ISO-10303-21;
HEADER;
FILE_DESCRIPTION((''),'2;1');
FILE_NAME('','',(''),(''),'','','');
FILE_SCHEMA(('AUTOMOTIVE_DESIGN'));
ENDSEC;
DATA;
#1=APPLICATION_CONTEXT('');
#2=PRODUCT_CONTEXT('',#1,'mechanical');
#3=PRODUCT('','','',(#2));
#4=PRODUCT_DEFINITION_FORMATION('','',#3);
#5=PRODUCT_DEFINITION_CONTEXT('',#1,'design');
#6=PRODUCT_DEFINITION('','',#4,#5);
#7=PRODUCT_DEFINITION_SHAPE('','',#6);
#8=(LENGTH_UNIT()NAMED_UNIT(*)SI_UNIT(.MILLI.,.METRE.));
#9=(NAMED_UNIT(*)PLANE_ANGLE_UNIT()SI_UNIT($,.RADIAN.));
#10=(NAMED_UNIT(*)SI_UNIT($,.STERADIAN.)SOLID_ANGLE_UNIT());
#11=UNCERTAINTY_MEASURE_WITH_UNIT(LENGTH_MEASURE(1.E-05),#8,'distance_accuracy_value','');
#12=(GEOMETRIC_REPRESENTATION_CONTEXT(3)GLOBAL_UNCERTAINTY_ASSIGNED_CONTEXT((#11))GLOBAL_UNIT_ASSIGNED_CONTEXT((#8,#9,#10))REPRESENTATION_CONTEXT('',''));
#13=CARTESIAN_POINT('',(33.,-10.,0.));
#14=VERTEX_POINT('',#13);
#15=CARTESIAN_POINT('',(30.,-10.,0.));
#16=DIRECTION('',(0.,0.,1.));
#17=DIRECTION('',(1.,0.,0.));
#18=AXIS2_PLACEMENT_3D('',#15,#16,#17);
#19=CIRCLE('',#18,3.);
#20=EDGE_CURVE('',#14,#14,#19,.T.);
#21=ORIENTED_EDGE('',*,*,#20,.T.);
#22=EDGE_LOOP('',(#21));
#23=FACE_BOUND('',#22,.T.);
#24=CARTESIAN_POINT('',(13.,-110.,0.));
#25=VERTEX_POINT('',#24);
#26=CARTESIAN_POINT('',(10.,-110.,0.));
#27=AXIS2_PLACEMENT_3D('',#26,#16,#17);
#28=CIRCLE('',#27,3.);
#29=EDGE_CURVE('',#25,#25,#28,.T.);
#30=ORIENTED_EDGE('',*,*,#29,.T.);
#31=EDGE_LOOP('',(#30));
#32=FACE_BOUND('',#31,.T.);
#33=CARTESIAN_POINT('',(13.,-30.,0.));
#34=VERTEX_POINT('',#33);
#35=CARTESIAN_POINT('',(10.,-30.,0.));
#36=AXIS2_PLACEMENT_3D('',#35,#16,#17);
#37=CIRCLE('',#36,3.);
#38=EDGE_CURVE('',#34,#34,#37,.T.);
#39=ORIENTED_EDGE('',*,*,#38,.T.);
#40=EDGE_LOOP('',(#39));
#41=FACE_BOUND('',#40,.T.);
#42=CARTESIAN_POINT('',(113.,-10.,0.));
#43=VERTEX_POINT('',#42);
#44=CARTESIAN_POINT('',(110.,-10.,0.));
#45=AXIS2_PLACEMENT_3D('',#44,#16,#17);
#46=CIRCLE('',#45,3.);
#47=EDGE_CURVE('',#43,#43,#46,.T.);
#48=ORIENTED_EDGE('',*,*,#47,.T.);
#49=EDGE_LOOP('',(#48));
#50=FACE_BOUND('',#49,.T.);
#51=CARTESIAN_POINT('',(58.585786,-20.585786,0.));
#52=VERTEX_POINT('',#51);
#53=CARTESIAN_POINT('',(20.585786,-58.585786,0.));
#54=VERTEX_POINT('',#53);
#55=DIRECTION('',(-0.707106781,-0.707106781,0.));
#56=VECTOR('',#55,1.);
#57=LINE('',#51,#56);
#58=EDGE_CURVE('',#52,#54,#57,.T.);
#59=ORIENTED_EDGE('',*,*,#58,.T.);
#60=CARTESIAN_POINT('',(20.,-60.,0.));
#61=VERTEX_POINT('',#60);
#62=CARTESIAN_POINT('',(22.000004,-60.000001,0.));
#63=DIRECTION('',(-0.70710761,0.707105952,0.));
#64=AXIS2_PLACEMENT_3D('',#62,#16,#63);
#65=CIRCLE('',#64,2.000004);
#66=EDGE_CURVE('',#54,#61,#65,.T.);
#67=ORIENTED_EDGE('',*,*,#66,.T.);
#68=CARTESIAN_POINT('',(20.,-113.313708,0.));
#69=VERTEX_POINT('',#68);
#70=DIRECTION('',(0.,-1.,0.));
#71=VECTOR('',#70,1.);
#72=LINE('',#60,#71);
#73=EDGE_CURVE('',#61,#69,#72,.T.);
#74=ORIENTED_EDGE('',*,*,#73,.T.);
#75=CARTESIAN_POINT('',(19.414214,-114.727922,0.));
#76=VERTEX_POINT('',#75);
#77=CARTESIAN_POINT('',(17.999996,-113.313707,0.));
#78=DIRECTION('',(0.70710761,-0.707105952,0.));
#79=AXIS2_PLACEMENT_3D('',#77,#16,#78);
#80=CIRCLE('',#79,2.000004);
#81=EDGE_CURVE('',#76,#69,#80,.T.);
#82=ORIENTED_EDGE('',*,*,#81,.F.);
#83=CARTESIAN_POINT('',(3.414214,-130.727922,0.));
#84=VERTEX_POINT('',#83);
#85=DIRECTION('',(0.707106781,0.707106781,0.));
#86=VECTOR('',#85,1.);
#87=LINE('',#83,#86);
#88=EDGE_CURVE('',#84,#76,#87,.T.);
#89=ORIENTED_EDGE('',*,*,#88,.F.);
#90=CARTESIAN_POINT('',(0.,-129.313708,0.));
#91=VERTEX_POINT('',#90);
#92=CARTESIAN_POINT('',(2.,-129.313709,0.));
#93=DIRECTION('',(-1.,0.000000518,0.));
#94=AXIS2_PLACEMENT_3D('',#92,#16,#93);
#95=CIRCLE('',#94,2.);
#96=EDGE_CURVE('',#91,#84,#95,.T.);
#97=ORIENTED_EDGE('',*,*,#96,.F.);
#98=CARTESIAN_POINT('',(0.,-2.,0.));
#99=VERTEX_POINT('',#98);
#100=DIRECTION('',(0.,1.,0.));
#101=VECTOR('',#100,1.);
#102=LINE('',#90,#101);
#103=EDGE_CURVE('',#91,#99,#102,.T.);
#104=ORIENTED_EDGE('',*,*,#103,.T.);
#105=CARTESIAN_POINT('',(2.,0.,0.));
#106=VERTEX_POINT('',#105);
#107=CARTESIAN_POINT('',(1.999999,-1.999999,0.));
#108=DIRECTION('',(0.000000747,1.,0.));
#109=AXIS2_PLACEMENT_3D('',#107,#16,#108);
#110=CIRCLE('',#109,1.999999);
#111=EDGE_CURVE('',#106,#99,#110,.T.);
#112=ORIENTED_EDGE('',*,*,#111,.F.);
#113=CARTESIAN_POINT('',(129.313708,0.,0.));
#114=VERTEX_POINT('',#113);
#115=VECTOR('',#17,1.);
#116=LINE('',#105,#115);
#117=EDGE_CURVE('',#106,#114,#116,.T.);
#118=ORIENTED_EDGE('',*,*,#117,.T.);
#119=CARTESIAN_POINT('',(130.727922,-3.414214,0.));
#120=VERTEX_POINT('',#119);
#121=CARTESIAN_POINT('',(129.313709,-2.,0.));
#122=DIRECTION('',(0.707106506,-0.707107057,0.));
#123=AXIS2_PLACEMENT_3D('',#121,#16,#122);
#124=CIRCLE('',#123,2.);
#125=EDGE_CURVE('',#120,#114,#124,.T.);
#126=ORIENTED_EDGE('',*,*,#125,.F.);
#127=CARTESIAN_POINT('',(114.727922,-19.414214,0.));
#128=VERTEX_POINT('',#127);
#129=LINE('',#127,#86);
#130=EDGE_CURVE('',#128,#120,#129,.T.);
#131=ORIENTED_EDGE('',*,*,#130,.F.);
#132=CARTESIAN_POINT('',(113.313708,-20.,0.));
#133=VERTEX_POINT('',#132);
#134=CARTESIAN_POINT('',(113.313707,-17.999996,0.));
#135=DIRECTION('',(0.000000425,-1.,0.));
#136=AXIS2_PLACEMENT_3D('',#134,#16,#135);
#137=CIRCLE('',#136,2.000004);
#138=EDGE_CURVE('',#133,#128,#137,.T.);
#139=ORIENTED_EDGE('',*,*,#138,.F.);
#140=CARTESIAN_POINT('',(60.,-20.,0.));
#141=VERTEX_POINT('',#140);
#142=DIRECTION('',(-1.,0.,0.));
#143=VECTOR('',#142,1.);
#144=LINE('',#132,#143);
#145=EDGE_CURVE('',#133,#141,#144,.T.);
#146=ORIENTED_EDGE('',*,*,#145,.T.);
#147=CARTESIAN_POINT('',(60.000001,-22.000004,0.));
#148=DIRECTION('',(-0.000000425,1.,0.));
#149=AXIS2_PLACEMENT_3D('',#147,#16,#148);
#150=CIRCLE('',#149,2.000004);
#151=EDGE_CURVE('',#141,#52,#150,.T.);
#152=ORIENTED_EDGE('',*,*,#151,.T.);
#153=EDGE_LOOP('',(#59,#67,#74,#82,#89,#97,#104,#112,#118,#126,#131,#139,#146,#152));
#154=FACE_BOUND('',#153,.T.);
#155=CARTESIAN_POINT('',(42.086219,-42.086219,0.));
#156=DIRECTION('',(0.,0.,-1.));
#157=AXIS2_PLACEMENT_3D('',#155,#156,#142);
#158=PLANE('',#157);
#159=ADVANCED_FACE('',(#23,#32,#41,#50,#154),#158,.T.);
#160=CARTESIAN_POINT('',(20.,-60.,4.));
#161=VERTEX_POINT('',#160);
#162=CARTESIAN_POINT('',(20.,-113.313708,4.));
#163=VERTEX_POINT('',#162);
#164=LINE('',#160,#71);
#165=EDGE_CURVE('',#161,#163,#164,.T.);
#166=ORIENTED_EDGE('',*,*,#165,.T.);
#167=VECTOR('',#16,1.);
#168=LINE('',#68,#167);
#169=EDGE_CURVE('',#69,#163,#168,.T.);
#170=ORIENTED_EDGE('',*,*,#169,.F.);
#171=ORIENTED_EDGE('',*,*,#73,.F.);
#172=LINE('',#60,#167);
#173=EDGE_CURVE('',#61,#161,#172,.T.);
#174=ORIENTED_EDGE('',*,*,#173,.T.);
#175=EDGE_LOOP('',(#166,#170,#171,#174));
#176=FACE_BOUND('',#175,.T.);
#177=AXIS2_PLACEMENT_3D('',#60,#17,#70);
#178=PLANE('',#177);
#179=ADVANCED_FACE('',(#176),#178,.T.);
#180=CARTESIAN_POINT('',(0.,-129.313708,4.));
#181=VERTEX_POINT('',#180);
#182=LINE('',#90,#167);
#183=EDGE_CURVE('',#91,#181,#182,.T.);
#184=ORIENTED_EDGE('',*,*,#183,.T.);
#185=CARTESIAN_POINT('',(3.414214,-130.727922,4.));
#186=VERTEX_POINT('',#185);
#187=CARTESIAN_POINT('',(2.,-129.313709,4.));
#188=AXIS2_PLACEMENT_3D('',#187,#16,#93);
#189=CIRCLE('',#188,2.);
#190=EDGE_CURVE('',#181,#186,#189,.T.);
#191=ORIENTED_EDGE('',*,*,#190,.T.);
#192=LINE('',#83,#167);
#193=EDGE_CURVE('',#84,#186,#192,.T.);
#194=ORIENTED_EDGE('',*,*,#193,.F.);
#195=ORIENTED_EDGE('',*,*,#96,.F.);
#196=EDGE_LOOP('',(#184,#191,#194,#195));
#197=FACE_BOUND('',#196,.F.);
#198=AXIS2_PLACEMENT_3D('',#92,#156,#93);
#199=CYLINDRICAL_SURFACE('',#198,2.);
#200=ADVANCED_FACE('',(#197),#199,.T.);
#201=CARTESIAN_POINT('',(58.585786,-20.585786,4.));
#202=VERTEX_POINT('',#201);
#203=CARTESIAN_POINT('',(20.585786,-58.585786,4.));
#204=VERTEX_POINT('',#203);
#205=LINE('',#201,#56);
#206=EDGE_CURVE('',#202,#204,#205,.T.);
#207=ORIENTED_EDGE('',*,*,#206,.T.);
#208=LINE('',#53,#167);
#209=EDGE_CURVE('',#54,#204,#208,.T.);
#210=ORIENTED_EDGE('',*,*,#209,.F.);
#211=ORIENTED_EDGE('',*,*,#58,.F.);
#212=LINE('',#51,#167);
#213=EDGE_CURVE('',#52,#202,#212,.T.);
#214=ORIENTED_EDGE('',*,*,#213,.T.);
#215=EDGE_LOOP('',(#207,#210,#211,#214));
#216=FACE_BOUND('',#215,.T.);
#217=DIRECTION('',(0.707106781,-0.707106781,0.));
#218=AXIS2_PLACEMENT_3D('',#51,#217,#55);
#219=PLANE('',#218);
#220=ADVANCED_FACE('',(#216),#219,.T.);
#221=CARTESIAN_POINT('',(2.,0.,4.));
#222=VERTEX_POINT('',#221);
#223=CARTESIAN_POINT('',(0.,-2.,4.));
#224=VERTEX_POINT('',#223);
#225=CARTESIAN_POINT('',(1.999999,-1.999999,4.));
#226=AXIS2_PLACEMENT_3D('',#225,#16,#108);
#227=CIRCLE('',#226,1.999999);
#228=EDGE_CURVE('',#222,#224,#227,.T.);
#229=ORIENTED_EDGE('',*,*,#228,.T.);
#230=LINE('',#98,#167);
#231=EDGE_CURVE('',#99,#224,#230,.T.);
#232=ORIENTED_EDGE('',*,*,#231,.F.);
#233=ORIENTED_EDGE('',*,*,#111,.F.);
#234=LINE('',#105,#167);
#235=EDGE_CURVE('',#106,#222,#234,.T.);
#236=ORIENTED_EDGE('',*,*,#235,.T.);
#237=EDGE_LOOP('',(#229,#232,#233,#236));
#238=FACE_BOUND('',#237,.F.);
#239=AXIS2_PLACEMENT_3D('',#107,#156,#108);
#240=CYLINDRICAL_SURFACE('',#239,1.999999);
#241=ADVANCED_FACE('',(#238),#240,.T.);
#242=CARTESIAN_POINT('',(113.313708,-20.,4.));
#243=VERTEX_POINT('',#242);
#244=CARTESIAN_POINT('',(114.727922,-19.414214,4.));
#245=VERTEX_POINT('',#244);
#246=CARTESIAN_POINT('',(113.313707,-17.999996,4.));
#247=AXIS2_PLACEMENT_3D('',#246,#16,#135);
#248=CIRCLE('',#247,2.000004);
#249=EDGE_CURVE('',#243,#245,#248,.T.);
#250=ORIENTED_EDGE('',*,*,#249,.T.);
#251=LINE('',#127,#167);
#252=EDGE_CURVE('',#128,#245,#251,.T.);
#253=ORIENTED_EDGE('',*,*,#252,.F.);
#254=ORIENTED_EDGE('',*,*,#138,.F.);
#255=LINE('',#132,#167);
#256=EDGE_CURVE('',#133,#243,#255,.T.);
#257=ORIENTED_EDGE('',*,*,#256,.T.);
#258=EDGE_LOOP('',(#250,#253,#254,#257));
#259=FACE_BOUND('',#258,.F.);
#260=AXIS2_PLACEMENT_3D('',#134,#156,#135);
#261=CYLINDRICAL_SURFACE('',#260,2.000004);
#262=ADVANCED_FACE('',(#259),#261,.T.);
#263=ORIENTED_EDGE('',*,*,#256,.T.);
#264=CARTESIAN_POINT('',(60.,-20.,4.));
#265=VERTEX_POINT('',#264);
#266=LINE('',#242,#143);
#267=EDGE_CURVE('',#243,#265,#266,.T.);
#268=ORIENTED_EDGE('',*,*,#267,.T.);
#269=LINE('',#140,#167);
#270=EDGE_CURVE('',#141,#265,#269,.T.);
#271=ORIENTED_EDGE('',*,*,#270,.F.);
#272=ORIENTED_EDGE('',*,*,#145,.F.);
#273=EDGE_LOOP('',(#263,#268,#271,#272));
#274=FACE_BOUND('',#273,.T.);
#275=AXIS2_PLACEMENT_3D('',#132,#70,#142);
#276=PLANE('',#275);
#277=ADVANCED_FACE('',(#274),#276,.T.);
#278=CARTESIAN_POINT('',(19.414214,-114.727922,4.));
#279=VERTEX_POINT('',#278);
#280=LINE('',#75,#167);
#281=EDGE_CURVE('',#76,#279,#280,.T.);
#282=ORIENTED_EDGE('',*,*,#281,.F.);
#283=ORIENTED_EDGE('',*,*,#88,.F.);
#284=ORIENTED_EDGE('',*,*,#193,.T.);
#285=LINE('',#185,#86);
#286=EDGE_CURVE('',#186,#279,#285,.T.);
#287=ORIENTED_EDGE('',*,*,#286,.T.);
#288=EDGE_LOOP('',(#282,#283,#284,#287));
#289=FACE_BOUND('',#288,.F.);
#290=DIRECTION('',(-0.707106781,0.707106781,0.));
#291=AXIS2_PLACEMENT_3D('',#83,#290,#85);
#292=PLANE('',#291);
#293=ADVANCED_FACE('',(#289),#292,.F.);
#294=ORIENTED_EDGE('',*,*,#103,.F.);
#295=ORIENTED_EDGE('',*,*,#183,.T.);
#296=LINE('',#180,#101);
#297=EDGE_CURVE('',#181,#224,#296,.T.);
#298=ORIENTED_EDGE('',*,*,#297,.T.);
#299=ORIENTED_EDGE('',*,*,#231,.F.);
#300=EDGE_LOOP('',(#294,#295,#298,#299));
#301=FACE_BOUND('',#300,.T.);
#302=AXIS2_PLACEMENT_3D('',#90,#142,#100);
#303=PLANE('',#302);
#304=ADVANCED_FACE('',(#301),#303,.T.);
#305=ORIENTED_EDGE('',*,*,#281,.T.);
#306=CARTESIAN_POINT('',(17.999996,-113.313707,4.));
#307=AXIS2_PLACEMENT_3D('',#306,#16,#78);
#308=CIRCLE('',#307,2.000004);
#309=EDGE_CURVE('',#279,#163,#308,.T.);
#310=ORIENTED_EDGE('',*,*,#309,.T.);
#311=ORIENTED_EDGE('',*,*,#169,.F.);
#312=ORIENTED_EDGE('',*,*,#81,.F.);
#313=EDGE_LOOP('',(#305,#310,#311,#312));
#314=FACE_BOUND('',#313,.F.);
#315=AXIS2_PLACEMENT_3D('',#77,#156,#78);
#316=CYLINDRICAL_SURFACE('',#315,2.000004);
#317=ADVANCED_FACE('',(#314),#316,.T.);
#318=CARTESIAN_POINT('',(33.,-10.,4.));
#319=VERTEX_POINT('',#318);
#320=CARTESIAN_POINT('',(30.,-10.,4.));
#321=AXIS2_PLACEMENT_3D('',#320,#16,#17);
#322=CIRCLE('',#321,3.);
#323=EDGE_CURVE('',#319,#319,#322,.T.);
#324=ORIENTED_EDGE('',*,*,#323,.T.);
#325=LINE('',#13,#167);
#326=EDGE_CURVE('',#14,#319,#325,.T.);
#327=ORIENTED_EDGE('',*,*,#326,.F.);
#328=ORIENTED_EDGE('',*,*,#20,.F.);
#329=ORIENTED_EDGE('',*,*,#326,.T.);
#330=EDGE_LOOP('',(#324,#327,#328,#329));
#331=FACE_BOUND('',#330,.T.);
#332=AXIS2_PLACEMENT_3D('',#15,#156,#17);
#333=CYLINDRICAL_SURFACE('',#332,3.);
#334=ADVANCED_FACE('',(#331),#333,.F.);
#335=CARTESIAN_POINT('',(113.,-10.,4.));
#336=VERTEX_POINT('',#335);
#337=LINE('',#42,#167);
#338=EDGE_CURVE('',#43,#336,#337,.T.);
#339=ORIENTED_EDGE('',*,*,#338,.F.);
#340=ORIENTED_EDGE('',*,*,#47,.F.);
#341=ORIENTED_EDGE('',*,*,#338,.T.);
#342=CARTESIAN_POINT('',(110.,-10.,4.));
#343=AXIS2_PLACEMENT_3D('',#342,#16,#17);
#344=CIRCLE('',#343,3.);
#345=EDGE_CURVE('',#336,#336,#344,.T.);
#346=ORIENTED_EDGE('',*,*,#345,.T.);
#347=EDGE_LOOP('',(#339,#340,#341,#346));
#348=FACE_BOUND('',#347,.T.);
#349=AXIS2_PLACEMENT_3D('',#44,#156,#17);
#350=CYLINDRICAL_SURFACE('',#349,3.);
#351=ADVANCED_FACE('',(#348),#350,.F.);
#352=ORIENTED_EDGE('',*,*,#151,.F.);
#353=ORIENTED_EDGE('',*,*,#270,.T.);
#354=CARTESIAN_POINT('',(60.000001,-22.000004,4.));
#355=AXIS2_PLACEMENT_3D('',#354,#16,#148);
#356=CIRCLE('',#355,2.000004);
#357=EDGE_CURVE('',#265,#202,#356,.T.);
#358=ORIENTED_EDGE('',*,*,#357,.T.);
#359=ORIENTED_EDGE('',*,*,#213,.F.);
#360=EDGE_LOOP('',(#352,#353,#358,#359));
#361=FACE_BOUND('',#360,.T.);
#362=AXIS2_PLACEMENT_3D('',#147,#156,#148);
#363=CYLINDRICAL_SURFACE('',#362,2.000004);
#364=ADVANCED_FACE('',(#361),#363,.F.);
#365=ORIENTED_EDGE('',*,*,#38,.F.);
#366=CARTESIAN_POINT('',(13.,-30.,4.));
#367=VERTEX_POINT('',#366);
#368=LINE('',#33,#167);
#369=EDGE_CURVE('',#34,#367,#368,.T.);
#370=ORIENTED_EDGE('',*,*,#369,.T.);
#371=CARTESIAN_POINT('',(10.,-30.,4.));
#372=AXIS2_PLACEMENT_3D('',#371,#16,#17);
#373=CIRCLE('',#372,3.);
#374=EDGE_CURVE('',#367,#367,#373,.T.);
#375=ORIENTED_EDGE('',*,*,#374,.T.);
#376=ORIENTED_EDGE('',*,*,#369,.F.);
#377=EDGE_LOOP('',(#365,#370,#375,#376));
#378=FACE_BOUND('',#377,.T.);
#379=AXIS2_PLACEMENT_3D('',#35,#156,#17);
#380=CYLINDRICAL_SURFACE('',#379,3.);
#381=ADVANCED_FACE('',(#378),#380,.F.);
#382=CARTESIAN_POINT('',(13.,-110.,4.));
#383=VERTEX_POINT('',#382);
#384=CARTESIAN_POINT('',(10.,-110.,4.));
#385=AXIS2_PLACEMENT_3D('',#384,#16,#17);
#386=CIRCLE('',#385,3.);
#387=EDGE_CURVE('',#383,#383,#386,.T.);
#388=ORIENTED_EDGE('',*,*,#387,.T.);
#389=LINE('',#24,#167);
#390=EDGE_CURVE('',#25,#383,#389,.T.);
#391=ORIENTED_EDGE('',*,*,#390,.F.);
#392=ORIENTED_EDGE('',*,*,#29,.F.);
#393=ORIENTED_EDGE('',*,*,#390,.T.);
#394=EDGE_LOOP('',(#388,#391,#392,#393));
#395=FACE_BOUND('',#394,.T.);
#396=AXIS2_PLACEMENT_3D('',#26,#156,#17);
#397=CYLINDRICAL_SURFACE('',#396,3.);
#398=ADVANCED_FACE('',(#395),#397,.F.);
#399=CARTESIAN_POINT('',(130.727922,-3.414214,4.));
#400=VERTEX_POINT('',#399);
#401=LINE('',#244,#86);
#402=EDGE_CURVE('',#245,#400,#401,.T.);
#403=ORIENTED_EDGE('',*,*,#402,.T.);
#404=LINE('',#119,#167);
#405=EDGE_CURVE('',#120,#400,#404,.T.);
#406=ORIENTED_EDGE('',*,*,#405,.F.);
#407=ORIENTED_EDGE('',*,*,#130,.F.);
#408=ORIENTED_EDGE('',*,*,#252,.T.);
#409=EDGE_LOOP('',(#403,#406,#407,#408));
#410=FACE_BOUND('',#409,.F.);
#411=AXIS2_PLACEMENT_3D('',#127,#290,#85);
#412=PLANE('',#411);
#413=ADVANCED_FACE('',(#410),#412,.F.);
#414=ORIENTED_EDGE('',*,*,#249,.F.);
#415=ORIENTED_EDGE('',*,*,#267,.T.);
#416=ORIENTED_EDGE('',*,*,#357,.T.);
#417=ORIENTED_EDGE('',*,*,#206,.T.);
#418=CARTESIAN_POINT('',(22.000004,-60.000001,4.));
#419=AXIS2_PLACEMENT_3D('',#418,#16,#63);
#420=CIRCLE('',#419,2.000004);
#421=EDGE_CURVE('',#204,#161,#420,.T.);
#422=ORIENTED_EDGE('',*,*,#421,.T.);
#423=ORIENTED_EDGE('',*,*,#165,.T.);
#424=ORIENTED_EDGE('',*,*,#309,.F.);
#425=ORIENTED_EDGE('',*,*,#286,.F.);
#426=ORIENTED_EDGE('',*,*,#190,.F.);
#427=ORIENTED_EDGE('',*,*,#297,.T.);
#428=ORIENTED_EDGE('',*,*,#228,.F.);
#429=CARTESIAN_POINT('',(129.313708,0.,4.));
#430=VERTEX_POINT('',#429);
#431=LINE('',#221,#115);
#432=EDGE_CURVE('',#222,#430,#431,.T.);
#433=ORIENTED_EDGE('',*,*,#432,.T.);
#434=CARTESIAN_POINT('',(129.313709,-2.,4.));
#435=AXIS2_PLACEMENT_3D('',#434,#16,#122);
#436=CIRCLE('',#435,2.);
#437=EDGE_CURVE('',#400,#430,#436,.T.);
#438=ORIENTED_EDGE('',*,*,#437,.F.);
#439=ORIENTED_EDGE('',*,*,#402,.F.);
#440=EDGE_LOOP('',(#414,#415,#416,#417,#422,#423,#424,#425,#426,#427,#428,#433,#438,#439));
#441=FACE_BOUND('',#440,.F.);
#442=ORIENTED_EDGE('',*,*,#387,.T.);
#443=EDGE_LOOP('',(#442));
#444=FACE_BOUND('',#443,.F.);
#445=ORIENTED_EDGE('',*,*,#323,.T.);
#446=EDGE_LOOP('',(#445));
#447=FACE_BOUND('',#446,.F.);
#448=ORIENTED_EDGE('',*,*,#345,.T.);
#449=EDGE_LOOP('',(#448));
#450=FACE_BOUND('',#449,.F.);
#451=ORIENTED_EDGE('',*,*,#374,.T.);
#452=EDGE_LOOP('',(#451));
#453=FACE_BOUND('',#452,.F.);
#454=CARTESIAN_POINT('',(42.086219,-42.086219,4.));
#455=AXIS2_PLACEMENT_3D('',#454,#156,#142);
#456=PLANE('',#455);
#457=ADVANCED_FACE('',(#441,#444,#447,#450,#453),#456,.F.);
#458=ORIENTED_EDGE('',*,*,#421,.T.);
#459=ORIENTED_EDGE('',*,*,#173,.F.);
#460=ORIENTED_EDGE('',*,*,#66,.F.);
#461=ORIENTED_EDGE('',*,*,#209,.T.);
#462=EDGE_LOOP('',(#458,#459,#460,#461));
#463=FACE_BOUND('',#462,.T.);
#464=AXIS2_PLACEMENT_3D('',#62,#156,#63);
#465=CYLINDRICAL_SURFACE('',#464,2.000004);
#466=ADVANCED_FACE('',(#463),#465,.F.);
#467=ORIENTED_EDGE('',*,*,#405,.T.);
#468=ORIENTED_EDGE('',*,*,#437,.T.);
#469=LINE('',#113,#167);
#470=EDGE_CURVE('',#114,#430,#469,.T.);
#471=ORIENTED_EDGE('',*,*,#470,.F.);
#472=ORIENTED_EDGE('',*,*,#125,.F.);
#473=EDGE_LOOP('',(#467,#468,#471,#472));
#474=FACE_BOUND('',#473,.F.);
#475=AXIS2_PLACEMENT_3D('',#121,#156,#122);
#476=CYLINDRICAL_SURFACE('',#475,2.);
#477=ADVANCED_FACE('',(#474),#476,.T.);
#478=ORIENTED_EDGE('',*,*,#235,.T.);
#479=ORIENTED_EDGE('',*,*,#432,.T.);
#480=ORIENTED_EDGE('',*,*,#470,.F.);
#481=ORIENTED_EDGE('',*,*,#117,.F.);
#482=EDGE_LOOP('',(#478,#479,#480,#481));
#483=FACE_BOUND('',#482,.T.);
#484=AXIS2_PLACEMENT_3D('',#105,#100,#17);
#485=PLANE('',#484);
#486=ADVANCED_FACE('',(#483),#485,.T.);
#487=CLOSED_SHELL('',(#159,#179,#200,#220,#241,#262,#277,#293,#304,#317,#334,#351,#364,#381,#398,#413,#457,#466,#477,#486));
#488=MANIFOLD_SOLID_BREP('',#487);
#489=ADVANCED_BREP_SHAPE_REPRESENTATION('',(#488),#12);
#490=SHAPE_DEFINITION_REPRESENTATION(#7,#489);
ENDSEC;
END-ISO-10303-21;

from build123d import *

# Parameters (mm, degrees)
SKETCH_R  = 3
PAD_DEPTH = 4


with BuildPart() as part:
    # Sketch → Pad (new body)
    with BuildSketch(Plane.XY):
        with BuildLine():
            Line((2, 0), (129.313708, 0))
            ThreePointArc((130.727922, -3.414214), (131.161468, -1.234633), (129.313708, 0))
            Line((114.727922, -19.414214), (130.727922, -3.414214))
            ThreePointArc((113.313708, -20), (114.079075, -19.847759), (114.727922, -19.414214))
            Line((113.313708, -20), (60, -20))
            ThreePointArc((60, -20), (59.234633, -20.152241), (58.585786, -20.585786))
            Line((58.585786, -20.585786), (20.585786, -58.585786))
            ThreePointArc((20.585786, -58.585786), (20.152241, -59.234633), (20, -60))
            Line((20, -60), (20, -113.313708))
            ThreePointArc((19.414214, -114.727922), (19.847759, -114.079075), (20, -113.313708))
            Line((3.414214, -130.727922), (19.414214, -114.727922))
            ThreePointArc((0, -129.313708), (1.234633, -131.161468), (3.414214, -130.727922))
            Line((0, -129.313708), (0, -2))
            ThreePointArc((2, 0), (0.585786, -0.585786), (0, -2))
        make_face()
        with Locations((10, -110)):
            Circle(SKETCH_R, mode=Mode.SUBTRACT)
        with Locations((110, -10)):
            Circle(SKETCH_R, mode=Mode.SUBTRACT)
        with Locations((10, -30)):
            Circle(SKETCH_R, mode=Mode.SUBTRACT)
        with Locations((30, -10)):
            Circle(SKETCH_R, mode=Mode.SUBTRACT)
    extrude(amount=PAD_DEPTH)


solid = part.part
